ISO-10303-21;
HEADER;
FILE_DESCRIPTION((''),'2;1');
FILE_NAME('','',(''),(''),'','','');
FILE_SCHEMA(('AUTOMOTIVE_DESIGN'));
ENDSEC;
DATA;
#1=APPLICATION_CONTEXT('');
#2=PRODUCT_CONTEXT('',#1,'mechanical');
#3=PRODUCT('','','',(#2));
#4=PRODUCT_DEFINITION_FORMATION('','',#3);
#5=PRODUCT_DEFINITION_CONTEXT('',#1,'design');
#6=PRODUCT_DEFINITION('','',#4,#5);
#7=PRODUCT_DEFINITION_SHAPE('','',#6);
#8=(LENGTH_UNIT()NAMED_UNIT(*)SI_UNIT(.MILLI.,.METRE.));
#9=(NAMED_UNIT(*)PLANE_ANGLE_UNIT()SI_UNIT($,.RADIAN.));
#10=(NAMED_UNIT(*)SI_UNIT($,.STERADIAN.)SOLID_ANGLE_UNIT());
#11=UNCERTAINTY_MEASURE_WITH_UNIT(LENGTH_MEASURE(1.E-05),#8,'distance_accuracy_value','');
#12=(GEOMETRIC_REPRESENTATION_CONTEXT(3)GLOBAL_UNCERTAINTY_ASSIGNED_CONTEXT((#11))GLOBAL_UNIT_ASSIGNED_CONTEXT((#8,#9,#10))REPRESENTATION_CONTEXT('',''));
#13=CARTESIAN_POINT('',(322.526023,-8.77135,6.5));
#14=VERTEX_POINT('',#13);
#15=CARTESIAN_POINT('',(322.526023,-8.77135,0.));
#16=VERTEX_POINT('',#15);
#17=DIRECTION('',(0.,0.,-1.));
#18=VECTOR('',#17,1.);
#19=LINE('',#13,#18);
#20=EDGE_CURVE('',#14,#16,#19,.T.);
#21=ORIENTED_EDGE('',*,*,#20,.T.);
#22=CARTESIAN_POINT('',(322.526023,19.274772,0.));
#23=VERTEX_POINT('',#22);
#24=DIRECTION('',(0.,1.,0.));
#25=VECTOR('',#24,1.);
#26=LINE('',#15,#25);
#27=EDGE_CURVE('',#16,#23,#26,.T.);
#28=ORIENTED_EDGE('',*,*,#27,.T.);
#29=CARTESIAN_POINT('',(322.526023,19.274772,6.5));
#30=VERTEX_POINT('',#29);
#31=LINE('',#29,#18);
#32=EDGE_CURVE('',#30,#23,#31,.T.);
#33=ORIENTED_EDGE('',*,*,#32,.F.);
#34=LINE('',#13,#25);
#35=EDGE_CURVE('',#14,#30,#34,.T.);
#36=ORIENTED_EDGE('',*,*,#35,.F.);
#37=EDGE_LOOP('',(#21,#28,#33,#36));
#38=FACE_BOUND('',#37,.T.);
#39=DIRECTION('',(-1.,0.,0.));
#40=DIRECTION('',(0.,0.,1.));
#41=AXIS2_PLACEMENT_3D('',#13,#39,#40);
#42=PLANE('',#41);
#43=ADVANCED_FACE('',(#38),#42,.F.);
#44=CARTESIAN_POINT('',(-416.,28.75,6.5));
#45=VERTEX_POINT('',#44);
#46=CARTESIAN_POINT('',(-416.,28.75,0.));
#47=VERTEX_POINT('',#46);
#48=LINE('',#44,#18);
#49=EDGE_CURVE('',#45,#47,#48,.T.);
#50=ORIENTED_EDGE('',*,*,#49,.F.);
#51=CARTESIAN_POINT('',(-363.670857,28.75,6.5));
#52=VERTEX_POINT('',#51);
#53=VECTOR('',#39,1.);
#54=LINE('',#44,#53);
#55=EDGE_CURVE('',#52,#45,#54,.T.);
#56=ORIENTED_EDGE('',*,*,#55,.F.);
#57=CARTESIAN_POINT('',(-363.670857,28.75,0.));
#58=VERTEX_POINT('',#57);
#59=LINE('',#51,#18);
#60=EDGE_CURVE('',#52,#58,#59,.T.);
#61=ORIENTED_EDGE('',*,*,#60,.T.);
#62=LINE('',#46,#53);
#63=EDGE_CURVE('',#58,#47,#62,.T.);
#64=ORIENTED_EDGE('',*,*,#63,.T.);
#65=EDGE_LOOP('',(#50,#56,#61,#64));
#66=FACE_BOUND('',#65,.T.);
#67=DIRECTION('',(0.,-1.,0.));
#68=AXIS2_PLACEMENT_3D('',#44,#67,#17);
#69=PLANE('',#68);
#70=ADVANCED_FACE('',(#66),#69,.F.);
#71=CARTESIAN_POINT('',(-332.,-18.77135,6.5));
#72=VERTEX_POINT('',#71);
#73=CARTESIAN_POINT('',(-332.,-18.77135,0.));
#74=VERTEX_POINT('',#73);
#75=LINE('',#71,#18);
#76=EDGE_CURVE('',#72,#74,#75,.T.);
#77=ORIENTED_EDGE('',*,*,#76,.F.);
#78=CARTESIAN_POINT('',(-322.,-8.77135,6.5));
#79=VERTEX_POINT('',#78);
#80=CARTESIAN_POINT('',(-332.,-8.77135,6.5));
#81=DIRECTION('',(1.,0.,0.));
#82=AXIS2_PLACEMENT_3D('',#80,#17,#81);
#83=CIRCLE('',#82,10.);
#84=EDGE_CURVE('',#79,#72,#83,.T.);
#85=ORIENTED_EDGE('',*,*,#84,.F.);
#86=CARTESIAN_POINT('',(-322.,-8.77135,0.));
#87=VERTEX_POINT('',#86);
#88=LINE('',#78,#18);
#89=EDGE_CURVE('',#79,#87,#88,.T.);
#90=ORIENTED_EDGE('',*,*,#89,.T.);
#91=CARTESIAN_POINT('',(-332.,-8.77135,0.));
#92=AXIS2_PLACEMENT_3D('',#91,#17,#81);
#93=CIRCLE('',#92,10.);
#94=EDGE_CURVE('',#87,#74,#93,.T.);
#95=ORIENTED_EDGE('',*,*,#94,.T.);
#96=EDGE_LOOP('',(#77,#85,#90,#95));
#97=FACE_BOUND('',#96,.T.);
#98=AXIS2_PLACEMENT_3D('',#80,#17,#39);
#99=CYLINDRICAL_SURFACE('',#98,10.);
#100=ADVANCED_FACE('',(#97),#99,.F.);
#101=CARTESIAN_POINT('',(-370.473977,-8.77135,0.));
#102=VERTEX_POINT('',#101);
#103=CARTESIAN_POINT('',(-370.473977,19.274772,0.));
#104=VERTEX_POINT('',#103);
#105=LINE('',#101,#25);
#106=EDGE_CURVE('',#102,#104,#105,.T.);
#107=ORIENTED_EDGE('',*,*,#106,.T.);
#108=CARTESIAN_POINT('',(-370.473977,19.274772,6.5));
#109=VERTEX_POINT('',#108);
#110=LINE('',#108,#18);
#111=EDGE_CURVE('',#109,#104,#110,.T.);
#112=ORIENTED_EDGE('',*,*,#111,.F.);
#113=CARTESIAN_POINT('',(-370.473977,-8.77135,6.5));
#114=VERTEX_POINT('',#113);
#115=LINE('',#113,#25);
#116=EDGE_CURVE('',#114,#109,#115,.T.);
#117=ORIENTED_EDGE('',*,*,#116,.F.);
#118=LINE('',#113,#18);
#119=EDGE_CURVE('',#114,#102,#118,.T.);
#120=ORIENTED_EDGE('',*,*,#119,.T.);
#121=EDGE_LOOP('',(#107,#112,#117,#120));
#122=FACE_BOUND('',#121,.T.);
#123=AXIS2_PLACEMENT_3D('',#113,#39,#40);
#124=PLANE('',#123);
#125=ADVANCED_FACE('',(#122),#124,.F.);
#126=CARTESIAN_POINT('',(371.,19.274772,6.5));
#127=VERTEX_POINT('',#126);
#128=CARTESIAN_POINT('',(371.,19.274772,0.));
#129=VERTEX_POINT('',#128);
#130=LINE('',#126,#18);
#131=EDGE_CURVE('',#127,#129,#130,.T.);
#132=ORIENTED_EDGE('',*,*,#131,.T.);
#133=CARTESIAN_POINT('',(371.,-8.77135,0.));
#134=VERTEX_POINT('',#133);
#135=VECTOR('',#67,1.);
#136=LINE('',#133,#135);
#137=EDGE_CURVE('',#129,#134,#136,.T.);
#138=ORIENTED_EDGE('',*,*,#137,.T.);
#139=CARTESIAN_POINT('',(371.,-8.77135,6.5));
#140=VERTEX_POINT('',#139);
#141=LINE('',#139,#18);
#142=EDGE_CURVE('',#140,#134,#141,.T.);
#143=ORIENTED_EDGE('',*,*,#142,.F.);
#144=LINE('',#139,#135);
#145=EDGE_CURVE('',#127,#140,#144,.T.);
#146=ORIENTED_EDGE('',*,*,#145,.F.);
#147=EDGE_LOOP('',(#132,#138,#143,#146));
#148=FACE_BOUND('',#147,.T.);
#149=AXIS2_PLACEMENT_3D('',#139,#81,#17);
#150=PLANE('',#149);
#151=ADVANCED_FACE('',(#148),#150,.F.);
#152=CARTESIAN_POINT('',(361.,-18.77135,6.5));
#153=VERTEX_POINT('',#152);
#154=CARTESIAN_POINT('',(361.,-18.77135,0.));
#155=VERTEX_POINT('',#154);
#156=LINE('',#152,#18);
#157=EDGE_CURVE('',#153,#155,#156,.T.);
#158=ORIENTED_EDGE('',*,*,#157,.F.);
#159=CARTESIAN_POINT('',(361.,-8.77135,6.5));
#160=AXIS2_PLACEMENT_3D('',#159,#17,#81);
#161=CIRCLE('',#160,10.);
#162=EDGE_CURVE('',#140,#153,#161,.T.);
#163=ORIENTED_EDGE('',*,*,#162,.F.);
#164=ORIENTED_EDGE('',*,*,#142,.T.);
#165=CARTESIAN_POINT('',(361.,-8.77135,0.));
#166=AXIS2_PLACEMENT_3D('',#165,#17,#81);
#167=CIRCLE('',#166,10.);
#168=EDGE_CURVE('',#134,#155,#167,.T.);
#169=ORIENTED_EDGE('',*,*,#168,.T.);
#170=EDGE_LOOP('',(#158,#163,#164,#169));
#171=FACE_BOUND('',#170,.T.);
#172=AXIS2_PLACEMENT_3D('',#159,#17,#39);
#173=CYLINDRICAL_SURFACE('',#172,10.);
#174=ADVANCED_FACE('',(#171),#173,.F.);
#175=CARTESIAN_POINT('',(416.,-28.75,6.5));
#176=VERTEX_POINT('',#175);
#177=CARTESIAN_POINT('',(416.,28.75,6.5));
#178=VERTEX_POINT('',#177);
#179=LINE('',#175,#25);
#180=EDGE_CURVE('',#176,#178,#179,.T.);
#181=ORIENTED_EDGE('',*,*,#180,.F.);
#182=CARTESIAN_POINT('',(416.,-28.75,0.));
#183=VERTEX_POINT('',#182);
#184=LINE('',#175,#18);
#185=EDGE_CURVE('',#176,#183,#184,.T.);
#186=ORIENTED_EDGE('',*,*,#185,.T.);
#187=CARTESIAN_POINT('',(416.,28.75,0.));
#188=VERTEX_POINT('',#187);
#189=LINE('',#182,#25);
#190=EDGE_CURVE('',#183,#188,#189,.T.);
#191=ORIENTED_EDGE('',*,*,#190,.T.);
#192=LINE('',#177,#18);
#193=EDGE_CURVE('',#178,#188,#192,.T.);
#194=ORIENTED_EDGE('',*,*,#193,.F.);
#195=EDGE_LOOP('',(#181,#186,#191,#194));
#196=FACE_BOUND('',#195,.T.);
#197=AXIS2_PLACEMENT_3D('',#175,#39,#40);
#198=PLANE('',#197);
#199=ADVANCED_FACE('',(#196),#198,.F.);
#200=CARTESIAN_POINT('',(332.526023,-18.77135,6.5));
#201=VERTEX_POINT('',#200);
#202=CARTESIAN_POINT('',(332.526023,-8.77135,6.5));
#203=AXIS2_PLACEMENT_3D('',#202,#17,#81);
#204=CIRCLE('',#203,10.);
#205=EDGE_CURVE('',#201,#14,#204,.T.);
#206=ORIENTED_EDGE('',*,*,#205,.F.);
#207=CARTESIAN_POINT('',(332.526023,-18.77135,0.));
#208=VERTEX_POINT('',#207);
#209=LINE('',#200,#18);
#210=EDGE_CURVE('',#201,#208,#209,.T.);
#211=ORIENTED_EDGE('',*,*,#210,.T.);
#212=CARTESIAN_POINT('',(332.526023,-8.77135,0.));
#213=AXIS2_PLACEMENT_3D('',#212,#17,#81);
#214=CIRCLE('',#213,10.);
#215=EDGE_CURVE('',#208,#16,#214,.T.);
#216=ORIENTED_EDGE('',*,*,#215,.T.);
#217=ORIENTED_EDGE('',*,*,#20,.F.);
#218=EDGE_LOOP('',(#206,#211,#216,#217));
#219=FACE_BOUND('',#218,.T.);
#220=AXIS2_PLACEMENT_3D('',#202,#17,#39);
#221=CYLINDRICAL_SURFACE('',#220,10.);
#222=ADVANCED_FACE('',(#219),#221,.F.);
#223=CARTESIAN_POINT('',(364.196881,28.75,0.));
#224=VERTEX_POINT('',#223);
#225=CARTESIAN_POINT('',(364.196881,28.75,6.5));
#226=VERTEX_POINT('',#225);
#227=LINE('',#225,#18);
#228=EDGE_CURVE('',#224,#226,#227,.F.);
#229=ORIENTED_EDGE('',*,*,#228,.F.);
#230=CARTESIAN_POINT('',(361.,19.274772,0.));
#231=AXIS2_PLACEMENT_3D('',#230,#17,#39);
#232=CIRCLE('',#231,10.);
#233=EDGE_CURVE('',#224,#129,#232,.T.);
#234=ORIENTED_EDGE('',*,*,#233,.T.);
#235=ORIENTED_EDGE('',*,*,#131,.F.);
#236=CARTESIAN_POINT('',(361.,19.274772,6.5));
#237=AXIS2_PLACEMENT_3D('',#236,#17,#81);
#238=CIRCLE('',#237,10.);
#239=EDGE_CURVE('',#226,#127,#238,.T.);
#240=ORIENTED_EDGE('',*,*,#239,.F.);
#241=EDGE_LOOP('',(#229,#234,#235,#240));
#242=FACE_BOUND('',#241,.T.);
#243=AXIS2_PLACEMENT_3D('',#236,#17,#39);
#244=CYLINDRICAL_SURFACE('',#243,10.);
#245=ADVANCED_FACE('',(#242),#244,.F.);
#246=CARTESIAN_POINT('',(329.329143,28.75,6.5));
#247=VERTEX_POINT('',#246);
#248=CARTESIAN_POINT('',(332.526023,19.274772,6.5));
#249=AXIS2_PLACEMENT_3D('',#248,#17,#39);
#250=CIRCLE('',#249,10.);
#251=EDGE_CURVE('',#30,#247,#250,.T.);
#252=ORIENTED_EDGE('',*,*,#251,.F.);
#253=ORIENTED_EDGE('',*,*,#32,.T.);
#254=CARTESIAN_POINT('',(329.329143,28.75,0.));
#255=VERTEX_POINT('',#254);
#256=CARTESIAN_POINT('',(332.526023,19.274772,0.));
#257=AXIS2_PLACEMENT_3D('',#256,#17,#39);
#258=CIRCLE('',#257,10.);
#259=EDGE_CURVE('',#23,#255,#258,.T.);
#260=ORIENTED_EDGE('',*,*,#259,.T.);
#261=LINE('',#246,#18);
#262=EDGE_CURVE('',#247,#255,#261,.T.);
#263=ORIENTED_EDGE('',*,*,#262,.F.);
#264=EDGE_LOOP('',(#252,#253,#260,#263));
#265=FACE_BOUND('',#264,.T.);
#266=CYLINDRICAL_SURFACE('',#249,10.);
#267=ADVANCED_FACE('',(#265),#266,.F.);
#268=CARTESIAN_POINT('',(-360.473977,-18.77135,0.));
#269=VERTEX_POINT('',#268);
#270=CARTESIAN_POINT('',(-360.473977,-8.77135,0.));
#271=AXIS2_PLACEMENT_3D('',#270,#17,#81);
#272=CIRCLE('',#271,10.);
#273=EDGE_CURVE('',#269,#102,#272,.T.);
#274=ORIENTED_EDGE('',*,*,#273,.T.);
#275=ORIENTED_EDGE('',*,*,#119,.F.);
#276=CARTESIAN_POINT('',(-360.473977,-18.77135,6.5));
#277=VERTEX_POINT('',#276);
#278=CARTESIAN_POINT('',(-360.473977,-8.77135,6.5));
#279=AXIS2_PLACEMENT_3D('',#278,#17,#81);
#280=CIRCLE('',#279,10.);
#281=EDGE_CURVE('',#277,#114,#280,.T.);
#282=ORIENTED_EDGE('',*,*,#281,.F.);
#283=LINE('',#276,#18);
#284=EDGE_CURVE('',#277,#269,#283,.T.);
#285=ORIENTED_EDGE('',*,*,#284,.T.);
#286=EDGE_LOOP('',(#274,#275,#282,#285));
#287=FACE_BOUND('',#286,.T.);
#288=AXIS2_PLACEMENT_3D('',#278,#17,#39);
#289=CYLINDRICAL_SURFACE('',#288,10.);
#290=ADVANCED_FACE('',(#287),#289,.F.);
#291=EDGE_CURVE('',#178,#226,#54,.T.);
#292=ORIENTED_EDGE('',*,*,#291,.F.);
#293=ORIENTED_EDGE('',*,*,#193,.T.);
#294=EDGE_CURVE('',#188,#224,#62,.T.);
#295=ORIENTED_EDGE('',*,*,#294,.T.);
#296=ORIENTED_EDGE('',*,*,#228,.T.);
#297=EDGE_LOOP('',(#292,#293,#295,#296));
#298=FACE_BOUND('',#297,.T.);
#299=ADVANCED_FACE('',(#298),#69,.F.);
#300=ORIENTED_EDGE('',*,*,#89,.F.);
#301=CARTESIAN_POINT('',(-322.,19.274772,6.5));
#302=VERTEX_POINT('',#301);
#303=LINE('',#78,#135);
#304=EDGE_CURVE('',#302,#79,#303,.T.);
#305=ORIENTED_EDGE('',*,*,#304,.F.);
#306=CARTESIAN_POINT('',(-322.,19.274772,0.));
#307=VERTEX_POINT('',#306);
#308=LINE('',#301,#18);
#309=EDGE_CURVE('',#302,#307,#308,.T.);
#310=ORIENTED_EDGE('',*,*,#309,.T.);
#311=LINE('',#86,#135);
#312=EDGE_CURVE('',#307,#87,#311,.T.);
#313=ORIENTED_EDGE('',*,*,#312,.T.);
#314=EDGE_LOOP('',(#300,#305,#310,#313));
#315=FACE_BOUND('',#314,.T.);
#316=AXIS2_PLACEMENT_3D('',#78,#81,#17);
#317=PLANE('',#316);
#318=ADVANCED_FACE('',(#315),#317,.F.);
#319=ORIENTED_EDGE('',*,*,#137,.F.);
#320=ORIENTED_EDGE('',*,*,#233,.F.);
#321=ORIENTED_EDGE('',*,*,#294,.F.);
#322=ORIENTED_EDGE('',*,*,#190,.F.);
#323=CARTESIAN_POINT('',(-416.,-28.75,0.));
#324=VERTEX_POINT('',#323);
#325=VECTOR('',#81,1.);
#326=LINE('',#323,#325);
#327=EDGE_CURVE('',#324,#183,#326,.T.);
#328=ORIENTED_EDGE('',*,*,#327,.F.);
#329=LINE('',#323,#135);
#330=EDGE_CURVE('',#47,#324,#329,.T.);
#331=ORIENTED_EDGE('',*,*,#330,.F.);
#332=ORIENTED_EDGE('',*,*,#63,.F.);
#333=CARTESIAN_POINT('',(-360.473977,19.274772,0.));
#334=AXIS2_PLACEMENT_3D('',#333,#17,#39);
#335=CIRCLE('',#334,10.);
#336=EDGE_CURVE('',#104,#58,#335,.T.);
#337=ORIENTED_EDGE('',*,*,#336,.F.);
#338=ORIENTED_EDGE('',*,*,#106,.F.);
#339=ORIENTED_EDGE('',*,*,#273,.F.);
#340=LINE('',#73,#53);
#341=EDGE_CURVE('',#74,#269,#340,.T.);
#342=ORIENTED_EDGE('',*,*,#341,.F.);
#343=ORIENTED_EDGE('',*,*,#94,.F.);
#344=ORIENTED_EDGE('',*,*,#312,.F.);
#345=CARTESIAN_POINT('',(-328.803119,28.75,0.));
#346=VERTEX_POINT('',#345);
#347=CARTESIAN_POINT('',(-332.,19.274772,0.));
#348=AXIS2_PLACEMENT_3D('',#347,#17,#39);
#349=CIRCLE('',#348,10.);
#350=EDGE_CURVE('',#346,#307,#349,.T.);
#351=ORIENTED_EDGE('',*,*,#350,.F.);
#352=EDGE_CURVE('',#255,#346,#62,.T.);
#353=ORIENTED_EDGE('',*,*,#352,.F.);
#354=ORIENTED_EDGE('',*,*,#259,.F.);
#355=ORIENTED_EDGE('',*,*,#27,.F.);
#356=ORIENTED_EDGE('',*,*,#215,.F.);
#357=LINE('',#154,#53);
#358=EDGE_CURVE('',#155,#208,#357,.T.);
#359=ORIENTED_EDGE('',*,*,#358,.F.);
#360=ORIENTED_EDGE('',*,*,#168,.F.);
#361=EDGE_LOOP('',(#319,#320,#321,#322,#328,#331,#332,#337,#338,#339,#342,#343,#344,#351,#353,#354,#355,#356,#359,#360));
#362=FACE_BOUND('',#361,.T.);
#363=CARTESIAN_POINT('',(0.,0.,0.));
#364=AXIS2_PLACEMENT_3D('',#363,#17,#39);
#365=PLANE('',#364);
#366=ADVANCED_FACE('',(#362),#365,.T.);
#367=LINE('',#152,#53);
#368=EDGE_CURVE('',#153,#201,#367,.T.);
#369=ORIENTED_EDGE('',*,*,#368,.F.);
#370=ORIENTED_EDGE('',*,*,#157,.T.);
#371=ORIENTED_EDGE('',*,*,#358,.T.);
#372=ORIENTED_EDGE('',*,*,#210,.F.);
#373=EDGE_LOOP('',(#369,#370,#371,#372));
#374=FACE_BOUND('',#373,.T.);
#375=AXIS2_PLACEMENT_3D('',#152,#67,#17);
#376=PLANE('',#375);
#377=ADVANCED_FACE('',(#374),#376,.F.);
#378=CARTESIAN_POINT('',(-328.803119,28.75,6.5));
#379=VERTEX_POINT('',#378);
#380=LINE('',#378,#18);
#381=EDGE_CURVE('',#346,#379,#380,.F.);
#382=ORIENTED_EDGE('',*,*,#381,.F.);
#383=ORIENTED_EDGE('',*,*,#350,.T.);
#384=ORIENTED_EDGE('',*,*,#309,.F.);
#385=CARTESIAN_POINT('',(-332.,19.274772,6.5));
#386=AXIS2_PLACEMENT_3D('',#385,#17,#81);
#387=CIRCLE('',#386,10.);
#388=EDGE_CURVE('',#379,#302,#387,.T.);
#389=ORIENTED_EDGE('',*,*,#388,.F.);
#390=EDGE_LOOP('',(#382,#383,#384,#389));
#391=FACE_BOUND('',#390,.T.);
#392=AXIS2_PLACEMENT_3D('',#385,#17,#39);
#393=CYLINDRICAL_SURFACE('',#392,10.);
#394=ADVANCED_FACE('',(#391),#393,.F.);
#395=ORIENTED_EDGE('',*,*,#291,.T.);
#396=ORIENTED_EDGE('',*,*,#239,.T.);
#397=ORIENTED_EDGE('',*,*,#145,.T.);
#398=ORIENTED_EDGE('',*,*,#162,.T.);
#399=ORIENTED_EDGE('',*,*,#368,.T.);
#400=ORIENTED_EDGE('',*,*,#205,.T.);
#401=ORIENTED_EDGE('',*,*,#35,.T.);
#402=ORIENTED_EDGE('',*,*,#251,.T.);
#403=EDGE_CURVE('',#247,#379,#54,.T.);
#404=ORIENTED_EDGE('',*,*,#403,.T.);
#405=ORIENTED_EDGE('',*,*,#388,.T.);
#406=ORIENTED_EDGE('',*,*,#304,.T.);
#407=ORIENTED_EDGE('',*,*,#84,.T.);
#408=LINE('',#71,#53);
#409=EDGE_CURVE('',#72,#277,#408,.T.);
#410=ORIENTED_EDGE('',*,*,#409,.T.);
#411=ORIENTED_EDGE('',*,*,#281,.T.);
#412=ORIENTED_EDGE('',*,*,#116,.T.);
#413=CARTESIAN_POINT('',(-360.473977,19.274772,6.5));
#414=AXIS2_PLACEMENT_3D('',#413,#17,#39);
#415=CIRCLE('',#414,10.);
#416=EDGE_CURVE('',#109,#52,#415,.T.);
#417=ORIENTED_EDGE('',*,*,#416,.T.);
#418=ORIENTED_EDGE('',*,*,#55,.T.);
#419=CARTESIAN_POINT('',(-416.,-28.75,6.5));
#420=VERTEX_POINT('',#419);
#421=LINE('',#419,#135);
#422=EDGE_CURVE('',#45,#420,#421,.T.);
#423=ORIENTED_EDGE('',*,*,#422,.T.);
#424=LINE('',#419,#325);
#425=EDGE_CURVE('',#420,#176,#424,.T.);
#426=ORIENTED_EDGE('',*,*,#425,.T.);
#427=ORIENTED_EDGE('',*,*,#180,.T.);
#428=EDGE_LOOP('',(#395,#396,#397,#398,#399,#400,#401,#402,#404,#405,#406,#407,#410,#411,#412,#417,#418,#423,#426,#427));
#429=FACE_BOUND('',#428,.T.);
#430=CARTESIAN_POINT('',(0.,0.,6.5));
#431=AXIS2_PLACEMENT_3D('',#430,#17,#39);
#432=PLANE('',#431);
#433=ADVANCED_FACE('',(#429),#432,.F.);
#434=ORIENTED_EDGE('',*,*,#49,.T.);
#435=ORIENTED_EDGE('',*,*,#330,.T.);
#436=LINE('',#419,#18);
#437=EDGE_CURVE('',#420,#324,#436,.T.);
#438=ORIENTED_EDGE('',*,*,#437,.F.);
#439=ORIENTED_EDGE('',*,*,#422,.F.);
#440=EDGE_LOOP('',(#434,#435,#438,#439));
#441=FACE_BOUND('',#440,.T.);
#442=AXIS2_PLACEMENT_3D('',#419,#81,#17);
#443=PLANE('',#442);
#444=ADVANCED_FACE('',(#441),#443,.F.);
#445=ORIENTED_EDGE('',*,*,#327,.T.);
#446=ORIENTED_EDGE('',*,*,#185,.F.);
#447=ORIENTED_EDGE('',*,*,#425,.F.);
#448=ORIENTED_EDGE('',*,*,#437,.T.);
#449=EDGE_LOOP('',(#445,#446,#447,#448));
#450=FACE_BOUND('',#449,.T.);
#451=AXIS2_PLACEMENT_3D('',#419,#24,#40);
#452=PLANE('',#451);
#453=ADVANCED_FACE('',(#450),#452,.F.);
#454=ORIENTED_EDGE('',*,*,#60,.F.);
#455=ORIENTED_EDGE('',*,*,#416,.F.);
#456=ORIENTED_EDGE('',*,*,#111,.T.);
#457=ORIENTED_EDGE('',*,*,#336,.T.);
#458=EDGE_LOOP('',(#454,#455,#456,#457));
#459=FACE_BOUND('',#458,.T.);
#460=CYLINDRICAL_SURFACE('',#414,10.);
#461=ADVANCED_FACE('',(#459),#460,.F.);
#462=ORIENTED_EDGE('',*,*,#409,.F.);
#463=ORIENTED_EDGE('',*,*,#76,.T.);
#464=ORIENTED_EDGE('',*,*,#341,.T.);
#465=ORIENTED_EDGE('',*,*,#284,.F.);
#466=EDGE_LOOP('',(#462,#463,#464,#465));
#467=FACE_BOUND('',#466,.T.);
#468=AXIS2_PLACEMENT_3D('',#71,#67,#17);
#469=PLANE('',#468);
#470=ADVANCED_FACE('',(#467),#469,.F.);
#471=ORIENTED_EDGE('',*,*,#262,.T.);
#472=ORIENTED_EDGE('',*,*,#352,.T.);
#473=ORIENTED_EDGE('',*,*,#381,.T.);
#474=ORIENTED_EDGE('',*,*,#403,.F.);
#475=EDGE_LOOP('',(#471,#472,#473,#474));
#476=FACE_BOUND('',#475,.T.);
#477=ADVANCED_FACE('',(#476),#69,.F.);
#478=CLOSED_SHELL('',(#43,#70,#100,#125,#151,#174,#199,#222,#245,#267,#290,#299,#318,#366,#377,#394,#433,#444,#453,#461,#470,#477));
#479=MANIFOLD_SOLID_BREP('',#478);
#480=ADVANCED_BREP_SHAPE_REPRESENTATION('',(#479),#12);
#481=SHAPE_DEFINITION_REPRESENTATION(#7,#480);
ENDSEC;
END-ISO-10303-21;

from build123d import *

# Parameters (mm, degrees)
ESQUISSE1_W                = 832
ESQUISSE1_H                = 57.5
BOSS_EXTRU_1_DEPTH         = 6.5
ENL_V_MAT_EXTRU_1_DEPTH    = 418.042938437
R_P_TITION_LIN_AIRE1_COUNT = 2
R_P_TITION_LIN_AIRE1_PITCH = 693


with BuildPart() as part:
    # Esquisse1 → Boss.-Extru.1 (new body)
    with BuildSketch(Plane.XY):
        Rectangle(ESQUISSE1_W, ESQUISSE1_H)
    extrude(amount=BOSS_EXTRU_1_DEPTH)

    # Esquisse2 → Enlèv. mat.-Extru.1 (cut, through all)
    with BuildSketch(Plane(origin=(0, 0, 0), x_dir=(-1, 0, 0), z_dir=(0, 0, -1))):
        with BuildLine():
            Line((-361, -18.771350197), (-332.52602316, -18.771350197))
            ThreePointArc((-332.52602316, -18.771350197), (-325.454955349, -15.842418009), (-322.52602316, -8.771350197))
            Line((-322.52602316, -8.771350197), (-322.52602316, 19.274771524))
            ThreePointArc((-322.52602316, 19.274771524), (-325.454955349, 26.345839336), (-332.52602316, 29.274771524))
            Line((-332.52602316, 29.274771524), (-361, 29.274771524))
            ThreePointArc((-361, 29.274771524), (-368.071067812, 26.345839336), (-371, 19.274771524))
            Line((-371, 19.274771524), (-371, -8.771350197))
            ThreePointArc((-371, -8.771350197), (-368.071067812, -15.842418009), (-361, -18.771350197))
        make_face()
    enl_v_mat_extru_1 = extrude(amount=-ENL_V_MAT_EXTRU_1_DEPTH, mode=Mode.SUBTRACT)

    # Répétition linéaire1: Enlèv. mat.-Extru.1 ×2
    with Locations(*[(-i * R_P_TITION_LIN_AIRE1_PITCH, 0, 0) for i in range(1, R_P_TITION_LIN_AIRE1_COUNT)]):
        add(enl_v_mat_extru_1, mode=Mode.SUBTRACT)


solid = part.part
